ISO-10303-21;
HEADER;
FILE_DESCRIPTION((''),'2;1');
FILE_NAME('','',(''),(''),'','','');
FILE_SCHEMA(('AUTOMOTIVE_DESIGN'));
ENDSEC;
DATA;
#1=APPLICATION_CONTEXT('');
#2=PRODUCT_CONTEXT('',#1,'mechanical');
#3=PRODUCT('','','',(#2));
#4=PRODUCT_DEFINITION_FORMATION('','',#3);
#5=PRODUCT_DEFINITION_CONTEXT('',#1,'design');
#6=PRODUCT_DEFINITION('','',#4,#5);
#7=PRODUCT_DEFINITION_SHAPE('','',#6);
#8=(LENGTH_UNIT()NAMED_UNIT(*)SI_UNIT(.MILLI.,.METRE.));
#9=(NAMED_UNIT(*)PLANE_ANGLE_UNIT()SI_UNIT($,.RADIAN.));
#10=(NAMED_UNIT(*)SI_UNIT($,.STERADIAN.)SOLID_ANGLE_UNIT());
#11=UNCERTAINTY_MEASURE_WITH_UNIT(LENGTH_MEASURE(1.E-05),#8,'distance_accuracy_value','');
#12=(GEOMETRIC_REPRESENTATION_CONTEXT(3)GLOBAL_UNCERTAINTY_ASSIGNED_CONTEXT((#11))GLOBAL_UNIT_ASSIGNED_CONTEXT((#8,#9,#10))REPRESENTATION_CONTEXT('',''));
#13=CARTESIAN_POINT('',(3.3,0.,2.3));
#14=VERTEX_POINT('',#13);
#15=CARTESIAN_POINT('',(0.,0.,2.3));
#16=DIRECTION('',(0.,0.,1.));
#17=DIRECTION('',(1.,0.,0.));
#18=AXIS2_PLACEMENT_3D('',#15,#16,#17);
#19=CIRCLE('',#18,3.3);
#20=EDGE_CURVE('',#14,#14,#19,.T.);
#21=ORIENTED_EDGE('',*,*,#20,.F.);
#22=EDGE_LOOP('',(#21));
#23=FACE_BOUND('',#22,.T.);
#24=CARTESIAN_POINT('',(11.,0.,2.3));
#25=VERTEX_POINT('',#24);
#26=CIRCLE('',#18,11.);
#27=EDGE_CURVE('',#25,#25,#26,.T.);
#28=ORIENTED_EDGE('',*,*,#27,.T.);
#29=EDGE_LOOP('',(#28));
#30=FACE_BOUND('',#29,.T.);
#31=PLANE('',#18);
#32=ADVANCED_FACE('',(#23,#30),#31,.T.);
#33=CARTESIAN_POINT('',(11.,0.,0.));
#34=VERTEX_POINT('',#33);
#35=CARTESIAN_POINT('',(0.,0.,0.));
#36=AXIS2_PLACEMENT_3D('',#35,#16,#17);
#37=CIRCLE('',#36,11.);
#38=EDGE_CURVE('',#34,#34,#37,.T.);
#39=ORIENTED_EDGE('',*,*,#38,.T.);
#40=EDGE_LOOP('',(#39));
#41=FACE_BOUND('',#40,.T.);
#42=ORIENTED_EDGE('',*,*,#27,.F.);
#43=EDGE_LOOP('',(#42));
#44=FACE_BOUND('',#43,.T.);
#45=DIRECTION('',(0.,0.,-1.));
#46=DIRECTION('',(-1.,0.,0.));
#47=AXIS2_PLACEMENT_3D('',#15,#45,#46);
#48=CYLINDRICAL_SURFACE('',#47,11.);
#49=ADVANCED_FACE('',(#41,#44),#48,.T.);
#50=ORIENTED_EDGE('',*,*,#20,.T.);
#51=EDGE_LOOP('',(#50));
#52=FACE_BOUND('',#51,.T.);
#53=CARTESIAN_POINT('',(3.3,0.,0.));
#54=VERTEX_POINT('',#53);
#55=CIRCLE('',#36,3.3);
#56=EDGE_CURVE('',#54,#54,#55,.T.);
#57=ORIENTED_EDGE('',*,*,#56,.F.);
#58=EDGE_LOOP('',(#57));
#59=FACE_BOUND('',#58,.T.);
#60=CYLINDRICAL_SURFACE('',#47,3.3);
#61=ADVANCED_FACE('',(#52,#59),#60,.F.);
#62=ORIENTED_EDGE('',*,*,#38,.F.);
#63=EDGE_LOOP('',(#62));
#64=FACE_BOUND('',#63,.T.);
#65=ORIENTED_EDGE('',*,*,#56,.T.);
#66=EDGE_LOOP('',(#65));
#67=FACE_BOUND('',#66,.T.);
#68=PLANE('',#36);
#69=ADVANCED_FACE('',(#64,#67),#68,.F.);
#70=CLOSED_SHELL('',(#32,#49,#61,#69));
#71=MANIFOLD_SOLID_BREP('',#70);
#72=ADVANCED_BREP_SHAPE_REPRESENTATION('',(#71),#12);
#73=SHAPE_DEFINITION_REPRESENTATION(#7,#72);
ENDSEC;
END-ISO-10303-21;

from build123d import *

# Parameters (mm, degrees)
SKETCH1_R           = 11
SKETCH1_R_2         = 3.3
BOSS_EXTRUDE1_DEPTH = 2.3


with BuildPart() as part:
    # Sketch1 → Boss-Extrude1 (new body)
    with BuildSketch(Plane.XY):
        Circle(SKETCH1_R)
        Circle(SKETCH1_R_2, mode=Mode.SUBTRACT)
    extrude(amount=BOSS_EXTRUDE1_DEPTH)


solid = part.part
